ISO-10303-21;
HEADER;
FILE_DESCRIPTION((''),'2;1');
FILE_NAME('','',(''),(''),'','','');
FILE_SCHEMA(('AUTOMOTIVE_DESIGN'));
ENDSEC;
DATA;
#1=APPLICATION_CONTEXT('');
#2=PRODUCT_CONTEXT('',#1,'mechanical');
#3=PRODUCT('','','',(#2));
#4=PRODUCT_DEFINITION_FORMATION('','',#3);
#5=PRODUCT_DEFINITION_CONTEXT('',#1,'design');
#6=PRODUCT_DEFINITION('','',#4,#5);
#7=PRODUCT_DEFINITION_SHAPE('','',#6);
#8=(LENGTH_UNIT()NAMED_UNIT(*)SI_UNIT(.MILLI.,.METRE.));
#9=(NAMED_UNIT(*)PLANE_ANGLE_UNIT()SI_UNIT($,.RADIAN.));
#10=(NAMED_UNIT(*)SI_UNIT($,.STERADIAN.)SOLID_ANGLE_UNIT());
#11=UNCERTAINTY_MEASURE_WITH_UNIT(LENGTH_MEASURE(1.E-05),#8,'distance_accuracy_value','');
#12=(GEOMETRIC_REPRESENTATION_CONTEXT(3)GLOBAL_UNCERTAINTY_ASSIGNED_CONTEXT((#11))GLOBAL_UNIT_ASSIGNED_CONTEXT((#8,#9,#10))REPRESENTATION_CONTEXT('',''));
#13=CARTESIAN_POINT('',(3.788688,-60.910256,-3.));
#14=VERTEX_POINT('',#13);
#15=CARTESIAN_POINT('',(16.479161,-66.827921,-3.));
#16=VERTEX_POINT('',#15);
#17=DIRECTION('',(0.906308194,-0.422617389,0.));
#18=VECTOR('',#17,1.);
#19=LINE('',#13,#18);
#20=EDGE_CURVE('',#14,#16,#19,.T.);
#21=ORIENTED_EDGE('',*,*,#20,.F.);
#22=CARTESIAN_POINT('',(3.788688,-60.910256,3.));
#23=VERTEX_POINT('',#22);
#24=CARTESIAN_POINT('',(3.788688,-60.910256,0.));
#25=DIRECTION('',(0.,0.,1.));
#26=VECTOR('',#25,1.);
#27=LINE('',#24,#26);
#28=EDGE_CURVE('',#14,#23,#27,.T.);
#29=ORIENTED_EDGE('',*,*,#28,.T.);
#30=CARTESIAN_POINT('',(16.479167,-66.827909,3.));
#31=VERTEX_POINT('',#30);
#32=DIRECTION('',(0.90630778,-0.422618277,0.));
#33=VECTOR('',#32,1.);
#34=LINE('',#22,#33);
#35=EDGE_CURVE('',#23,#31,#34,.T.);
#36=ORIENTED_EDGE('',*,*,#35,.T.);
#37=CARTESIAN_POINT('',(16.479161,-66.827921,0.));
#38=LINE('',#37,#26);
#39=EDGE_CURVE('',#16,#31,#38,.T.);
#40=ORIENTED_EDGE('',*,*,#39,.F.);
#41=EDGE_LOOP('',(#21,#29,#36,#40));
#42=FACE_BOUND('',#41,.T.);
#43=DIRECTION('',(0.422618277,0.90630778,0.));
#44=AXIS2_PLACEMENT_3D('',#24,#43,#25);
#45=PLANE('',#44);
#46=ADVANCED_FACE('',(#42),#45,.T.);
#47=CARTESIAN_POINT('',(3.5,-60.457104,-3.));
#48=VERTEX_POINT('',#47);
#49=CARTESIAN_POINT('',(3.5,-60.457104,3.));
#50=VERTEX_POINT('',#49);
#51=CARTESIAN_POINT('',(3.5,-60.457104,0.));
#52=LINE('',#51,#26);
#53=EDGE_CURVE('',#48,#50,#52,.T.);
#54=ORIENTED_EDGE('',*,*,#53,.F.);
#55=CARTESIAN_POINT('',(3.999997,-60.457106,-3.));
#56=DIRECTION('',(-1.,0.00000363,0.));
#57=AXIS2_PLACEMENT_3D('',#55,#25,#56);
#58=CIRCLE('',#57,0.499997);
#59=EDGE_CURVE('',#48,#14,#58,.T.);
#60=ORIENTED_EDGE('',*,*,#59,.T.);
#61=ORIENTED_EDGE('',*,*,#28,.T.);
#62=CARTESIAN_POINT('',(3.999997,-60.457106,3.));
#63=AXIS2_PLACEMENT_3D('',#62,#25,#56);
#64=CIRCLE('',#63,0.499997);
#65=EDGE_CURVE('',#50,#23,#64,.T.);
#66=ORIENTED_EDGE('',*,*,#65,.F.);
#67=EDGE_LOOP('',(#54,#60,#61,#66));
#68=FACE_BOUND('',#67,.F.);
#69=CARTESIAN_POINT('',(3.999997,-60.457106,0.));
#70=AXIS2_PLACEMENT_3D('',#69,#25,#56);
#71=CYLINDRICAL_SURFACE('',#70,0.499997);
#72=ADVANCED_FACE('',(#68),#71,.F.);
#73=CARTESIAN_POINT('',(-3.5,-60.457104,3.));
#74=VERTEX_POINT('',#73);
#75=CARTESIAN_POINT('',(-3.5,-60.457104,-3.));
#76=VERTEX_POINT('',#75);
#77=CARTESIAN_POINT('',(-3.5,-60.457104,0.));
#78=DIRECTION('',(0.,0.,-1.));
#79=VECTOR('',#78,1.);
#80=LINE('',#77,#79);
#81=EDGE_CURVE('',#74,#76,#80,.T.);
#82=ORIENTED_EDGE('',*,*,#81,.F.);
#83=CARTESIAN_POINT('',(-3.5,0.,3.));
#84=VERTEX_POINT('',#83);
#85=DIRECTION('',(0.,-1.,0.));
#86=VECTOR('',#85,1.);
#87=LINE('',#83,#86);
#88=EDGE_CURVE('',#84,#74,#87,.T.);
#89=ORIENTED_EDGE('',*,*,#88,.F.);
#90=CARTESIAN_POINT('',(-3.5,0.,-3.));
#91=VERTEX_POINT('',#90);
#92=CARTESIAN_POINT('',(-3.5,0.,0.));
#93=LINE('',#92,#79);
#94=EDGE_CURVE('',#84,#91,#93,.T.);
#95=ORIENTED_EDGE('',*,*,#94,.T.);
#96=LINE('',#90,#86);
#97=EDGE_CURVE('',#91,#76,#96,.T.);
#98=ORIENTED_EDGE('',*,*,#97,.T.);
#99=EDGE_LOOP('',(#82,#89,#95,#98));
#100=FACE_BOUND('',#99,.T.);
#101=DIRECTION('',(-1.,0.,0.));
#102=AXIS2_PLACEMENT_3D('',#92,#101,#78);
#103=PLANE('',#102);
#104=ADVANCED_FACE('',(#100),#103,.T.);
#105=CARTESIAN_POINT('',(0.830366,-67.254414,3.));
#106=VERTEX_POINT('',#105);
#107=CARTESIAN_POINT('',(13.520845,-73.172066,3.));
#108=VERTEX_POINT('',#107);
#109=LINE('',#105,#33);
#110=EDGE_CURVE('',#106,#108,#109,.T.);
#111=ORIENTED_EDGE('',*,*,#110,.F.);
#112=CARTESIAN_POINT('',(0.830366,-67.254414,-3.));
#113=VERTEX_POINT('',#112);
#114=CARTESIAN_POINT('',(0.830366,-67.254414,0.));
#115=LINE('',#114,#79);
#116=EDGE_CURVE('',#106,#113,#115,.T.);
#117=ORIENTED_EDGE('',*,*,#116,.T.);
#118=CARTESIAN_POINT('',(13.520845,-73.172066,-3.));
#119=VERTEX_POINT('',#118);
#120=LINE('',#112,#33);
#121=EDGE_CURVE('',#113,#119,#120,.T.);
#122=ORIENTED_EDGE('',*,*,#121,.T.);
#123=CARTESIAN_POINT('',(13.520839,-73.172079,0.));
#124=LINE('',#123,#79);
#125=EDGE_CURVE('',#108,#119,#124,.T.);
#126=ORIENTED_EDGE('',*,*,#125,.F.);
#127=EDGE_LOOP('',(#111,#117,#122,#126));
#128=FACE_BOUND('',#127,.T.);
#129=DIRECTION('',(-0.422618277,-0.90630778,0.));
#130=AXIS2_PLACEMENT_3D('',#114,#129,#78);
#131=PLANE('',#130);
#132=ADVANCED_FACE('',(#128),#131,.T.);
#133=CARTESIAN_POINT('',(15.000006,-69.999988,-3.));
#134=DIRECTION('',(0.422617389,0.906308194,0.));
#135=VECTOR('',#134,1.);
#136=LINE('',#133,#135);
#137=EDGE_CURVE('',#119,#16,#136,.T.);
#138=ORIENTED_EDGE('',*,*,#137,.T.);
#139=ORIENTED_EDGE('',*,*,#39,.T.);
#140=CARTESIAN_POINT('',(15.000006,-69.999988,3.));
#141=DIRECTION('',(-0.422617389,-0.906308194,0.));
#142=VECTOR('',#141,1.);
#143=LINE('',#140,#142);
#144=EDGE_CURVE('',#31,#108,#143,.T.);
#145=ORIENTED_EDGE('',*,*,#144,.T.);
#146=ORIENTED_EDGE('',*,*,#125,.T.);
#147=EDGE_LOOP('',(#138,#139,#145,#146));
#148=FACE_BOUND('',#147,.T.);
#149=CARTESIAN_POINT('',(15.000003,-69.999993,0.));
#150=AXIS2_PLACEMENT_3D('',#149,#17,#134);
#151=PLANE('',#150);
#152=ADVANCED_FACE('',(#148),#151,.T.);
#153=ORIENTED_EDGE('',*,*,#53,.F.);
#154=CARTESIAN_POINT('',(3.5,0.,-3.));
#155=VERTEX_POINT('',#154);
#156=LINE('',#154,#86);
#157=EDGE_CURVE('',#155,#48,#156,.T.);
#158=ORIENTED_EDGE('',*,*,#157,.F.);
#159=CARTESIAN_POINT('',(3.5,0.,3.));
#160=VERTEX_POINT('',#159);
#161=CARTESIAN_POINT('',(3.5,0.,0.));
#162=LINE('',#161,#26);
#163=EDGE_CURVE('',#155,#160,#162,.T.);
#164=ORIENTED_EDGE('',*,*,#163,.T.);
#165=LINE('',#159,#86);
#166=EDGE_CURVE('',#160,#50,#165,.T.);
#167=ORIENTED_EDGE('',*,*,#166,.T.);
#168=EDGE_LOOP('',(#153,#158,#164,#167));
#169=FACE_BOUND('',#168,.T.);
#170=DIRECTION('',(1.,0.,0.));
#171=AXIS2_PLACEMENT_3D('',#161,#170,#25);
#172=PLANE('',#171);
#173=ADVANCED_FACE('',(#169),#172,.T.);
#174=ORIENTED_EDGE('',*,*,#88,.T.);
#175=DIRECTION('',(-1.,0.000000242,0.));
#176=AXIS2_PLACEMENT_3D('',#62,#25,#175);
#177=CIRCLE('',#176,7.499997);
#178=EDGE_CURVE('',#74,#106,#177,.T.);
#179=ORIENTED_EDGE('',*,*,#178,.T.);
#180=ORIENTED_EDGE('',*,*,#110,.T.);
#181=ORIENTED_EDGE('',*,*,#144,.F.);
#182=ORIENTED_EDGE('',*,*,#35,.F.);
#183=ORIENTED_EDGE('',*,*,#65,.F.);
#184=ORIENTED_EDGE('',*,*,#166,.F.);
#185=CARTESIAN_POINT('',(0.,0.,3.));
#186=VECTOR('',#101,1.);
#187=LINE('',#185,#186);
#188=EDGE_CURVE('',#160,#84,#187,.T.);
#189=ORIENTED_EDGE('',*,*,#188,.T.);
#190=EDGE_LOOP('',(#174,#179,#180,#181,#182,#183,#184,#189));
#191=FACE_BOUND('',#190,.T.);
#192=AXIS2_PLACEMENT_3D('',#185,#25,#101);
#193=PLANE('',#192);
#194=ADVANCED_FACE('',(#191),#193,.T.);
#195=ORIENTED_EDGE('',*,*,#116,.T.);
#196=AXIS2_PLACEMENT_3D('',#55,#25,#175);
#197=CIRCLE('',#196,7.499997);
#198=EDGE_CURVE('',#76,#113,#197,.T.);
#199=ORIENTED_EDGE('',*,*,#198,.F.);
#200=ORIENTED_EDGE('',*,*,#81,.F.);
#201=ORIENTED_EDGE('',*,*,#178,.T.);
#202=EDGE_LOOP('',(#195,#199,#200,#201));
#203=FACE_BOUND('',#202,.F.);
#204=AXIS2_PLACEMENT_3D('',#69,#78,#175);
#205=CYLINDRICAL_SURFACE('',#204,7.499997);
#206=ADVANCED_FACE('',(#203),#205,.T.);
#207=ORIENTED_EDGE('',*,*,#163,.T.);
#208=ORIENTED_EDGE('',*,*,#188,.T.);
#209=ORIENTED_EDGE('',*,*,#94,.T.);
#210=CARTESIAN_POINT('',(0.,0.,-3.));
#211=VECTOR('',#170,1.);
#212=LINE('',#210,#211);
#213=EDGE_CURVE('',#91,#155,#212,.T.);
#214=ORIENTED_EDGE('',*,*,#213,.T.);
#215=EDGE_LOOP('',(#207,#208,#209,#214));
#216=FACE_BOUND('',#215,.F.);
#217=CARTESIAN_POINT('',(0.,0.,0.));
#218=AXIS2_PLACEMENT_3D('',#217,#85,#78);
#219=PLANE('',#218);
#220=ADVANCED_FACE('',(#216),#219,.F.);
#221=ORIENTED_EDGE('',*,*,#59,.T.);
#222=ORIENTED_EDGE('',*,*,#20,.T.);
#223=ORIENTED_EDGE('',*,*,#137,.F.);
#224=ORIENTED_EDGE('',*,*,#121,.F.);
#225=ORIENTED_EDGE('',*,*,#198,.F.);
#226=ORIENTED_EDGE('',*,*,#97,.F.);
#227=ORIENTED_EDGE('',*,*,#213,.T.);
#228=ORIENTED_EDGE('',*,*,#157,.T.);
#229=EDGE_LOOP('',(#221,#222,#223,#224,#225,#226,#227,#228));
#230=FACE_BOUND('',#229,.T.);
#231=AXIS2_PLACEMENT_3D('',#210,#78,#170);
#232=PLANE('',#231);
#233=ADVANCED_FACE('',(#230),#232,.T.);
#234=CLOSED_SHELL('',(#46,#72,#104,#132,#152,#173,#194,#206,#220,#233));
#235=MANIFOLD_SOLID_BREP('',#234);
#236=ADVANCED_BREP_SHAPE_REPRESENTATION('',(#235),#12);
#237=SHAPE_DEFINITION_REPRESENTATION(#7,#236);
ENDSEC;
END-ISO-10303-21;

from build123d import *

# Parameters (mm, degrees)
F0_W = 7
F0_H = 6


with BuildPart() as f2:
    # F2: sweep along a path in F1
    with BuildLine(Plane.XY) as f2_path:
        Line((0, 0), (0, -60.457104))
        ThreePointArc((0, -60.457104), (0.626434, -62.606303), (2.309527, -64.082335))
        Line((2.309527, -64.082335), (15, -70))
    # F0 (on Front) → F2 (sweep)
    with BuildSketch(Plane.XZ):
        Rectangle(F0_W, F0_H)
    sweep(path=f2_path.line)


solid = f2.part
